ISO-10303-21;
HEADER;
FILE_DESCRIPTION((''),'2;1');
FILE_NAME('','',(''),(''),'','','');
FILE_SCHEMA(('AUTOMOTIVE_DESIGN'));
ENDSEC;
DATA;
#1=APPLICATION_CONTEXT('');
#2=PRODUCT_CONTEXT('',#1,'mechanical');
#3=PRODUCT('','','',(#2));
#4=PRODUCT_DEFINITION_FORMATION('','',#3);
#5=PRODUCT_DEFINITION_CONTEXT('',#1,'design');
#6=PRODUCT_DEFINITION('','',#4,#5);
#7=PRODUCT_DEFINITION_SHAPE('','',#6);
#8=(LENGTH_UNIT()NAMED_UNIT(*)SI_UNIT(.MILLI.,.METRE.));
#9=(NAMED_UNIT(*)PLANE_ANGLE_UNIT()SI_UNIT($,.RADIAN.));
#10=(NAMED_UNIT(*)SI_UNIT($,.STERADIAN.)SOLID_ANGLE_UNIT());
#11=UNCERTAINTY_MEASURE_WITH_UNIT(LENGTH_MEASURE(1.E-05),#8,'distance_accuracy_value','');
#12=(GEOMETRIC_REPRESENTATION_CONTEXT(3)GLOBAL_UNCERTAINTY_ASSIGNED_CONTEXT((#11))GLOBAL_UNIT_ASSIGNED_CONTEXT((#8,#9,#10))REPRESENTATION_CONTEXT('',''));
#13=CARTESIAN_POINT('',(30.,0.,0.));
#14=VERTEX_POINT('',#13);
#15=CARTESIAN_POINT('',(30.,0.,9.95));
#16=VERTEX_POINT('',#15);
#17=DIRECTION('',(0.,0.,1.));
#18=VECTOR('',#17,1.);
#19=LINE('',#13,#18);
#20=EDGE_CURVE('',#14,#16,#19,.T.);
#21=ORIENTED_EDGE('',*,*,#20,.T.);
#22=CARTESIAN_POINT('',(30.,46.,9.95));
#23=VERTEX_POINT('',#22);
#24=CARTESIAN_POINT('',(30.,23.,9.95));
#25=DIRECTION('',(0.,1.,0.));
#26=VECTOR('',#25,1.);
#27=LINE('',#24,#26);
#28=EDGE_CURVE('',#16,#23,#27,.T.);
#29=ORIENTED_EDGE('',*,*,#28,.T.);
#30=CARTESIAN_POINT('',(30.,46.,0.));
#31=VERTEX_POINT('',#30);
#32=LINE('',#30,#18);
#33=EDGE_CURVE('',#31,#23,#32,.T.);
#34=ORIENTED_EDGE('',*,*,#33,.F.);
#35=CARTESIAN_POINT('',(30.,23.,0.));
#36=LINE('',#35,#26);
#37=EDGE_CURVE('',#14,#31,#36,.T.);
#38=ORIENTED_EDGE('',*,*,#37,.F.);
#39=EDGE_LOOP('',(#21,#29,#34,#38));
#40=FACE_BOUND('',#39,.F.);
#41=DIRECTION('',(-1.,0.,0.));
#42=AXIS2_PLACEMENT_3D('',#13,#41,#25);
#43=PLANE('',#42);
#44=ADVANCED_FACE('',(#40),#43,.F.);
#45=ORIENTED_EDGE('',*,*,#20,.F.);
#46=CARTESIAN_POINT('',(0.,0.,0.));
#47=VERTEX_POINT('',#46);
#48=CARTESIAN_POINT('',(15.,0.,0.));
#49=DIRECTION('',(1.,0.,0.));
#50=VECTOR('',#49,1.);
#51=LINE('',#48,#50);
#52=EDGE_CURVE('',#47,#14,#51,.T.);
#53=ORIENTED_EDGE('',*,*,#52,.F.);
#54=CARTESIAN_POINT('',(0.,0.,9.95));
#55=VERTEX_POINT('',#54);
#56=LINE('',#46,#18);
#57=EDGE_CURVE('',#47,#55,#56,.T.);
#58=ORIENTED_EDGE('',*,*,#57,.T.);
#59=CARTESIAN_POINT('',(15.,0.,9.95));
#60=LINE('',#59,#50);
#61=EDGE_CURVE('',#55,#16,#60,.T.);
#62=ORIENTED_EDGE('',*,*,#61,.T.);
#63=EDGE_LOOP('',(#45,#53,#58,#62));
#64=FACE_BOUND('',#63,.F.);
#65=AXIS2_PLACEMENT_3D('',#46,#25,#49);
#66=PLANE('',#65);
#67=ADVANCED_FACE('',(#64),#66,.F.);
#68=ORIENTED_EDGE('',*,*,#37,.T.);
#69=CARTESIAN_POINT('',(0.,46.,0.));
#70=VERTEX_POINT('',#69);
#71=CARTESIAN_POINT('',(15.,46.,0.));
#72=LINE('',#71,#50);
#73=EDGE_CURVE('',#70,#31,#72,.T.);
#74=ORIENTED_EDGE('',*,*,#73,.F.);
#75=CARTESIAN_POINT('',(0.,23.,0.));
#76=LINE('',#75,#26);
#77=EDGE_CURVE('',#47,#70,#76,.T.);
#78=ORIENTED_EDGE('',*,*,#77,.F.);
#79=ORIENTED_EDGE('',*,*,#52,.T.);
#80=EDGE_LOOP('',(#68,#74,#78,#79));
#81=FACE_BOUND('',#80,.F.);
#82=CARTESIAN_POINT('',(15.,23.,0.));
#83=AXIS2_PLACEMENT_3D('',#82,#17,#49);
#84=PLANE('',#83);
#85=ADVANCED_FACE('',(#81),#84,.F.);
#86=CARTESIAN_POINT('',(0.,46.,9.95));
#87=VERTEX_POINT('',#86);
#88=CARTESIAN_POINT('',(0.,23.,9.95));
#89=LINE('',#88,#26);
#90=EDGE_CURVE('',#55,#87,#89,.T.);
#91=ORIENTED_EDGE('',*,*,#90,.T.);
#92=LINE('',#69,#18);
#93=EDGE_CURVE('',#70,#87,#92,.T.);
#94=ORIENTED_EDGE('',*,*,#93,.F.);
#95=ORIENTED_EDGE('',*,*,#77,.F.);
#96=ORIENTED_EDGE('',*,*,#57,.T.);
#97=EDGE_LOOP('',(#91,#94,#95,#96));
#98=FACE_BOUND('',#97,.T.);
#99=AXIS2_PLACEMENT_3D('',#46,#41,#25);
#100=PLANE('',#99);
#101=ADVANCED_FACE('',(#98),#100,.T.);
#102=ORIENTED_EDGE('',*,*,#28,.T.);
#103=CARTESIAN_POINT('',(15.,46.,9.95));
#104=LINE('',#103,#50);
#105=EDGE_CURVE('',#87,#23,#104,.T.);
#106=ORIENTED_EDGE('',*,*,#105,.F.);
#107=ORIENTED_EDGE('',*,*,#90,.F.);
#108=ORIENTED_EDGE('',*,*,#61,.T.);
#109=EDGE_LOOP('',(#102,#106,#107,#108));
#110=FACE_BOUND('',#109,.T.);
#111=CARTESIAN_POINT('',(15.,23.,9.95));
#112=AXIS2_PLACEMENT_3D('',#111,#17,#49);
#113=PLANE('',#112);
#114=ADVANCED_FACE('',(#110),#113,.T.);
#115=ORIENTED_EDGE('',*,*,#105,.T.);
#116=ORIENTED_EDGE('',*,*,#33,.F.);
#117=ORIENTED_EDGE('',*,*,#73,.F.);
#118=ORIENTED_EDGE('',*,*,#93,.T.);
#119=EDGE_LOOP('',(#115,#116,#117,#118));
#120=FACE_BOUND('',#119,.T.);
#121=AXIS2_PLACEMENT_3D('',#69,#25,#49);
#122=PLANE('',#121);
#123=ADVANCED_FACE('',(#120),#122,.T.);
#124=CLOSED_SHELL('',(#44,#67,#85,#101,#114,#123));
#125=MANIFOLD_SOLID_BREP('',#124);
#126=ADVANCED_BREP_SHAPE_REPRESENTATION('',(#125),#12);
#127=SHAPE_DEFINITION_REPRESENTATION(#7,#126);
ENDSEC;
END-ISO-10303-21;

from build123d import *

# Parameters (mm, degrees)
BOX_W     = 30
BOX_H     = 46
BOX_DEPTH = 9.95


with BuildPart() as part:
    # Box → Box (new body)
    with BuildSketch(Plane.XY):
        with Locations((15, 23)):
            Rectangle(BOX_W, BOX_H)
    extrude(amount=BOX_DEPTH)


solid = part.part
